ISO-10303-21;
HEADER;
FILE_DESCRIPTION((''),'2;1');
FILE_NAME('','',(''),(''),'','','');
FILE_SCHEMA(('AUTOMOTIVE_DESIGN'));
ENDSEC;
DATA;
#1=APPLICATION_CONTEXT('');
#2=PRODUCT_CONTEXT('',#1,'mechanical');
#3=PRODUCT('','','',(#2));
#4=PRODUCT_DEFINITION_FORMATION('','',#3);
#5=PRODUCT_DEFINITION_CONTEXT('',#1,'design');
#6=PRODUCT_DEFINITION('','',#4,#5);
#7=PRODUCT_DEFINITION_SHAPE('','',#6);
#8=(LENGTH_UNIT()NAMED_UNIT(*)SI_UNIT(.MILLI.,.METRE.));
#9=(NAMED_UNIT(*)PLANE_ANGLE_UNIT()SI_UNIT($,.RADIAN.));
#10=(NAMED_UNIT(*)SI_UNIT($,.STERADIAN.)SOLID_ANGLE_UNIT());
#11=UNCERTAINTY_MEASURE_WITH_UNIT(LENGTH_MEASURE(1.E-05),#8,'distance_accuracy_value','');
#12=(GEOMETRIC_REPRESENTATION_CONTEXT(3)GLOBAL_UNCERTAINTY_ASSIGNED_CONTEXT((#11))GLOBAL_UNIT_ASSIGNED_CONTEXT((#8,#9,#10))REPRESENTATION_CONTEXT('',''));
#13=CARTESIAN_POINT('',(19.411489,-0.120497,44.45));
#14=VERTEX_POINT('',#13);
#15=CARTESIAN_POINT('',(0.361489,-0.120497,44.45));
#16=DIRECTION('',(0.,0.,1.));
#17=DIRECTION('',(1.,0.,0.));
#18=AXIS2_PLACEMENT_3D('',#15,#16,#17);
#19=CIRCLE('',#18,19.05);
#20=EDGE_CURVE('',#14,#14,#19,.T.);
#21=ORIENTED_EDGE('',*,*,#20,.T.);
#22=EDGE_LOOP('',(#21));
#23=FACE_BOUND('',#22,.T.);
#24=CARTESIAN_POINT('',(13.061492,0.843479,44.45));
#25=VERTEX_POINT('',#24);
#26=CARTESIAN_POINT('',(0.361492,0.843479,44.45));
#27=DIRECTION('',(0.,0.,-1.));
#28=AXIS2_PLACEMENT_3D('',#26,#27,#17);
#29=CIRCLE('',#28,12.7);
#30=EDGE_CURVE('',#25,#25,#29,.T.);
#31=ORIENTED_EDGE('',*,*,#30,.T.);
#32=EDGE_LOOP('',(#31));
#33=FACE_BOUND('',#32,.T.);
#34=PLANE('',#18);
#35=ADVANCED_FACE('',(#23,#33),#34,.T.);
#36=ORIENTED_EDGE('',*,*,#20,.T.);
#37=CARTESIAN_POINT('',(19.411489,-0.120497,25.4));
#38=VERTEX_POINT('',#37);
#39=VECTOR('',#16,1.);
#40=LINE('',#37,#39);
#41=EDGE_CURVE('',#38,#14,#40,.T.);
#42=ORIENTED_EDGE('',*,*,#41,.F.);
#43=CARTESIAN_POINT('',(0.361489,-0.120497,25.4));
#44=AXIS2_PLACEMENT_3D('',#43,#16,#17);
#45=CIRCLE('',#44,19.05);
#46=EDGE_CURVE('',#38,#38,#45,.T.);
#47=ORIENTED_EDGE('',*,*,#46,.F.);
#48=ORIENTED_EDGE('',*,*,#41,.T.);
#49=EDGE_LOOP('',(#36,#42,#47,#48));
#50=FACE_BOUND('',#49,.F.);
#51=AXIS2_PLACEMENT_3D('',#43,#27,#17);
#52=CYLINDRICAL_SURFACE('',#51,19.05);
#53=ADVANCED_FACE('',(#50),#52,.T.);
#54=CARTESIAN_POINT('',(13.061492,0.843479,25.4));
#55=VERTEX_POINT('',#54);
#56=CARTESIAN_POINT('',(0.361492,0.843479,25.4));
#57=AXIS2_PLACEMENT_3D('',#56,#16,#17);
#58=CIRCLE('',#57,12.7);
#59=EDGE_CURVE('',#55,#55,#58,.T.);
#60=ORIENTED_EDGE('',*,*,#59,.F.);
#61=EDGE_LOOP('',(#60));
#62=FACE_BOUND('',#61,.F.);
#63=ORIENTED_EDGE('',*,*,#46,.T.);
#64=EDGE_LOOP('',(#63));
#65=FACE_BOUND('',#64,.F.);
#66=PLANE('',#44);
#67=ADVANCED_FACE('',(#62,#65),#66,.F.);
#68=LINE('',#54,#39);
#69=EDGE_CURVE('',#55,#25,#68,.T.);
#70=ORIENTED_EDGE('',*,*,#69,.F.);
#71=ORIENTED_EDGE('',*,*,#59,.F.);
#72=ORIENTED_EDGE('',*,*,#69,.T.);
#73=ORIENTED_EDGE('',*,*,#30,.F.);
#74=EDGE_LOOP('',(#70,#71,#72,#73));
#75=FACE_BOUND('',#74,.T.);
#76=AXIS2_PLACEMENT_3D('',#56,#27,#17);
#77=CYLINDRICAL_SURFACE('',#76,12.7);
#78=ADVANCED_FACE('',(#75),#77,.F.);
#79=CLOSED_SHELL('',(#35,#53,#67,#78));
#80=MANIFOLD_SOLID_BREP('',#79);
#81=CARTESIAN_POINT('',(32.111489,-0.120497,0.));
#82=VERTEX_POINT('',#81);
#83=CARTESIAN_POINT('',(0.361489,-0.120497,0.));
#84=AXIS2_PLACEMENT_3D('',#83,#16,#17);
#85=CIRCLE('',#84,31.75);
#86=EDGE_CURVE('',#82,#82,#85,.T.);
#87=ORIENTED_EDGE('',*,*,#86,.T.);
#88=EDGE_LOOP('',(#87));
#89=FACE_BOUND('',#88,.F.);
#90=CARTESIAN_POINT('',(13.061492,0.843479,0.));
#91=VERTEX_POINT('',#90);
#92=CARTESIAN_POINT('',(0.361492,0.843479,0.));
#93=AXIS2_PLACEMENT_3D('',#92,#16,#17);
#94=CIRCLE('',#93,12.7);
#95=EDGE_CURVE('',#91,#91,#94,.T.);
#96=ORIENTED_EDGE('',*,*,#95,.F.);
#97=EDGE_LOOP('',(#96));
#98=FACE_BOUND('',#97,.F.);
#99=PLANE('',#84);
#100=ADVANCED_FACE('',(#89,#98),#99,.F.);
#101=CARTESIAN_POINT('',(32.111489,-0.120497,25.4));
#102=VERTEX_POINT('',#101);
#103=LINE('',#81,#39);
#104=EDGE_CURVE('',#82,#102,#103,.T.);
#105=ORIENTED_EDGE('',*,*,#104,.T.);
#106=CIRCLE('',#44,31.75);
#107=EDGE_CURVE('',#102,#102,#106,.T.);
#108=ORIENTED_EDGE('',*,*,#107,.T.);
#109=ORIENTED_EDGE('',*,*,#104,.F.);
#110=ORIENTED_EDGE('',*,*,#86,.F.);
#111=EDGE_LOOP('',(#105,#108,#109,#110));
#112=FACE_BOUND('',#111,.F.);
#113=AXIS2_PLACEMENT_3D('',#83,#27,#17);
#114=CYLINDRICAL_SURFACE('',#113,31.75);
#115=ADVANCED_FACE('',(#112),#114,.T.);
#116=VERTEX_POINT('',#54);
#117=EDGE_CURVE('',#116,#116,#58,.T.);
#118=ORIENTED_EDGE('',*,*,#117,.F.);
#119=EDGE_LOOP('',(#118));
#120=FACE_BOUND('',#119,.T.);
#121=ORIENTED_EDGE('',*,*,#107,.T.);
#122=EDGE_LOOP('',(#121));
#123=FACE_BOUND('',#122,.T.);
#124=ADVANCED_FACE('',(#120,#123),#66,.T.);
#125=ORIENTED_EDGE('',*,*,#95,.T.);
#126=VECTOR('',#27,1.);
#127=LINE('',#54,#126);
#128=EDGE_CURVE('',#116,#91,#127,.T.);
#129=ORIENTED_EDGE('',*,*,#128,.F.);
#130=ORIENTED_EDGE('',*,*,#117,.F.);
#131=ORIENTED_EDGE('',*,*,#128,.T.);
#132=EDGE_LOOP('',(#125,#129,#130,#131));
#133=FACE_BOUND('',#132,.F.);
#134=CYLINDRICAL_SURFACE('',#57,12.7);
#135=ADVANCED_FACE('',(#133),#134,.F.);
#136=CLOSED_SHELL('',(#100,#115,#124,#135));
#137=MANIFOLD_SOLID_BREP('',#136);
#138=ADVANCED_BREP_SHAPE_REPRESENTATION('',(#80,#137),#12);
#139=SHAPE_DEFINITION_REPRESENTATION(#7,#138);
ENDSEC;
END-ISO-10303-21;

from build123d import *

# Parameters (mm, degrees)
F0_R     = 31.75
F1_DEPTH = 25.4
F2_R     = 19.05
F3_DEPTH = 19.05
F4_R     = 12.7
F5_DEPTH = 25.4
F6_DEPTH = 25.4


with BuildPart() as f1:
    # F0 (on Top) → F1 (new body)
    with BuildSketch(Plane.XY):
        with Locations((0.361489, -0.120497)):
            Circle(F0_R)
    extrude(amount=F1_DEPTH)

    # F4 (on face) → F5 (cut)
    with BuildSketch(Plane.XY.offset(25.4)):
        with Locations((0.361492, 0.843479)):
            Circle(F4_R)
    extrude(amount=-F5_DEPTH, mode=Mode.SUBTRACT)


with BuildPart() as f3:
    # F2 (on face) → F3 (new body)
    with BuildSketch(Plane.XY.offset(25.4)):
        with Locations((0.361489, -0.120497)):
            Circle(F2_R)
    extrude(amount=F3_DEPTH)

    # F4 (on face) → F6 (cut)
    with BuildSketch(Plane.XY.offset(25.4)):
        with Locations((0.361492, 0.843479)):
            Circle(F4_R)
    extrude(amount=F6_DEPTH, mode=Mode.SUBTRACT)


solid = Compound([f1.part, f3.part])
